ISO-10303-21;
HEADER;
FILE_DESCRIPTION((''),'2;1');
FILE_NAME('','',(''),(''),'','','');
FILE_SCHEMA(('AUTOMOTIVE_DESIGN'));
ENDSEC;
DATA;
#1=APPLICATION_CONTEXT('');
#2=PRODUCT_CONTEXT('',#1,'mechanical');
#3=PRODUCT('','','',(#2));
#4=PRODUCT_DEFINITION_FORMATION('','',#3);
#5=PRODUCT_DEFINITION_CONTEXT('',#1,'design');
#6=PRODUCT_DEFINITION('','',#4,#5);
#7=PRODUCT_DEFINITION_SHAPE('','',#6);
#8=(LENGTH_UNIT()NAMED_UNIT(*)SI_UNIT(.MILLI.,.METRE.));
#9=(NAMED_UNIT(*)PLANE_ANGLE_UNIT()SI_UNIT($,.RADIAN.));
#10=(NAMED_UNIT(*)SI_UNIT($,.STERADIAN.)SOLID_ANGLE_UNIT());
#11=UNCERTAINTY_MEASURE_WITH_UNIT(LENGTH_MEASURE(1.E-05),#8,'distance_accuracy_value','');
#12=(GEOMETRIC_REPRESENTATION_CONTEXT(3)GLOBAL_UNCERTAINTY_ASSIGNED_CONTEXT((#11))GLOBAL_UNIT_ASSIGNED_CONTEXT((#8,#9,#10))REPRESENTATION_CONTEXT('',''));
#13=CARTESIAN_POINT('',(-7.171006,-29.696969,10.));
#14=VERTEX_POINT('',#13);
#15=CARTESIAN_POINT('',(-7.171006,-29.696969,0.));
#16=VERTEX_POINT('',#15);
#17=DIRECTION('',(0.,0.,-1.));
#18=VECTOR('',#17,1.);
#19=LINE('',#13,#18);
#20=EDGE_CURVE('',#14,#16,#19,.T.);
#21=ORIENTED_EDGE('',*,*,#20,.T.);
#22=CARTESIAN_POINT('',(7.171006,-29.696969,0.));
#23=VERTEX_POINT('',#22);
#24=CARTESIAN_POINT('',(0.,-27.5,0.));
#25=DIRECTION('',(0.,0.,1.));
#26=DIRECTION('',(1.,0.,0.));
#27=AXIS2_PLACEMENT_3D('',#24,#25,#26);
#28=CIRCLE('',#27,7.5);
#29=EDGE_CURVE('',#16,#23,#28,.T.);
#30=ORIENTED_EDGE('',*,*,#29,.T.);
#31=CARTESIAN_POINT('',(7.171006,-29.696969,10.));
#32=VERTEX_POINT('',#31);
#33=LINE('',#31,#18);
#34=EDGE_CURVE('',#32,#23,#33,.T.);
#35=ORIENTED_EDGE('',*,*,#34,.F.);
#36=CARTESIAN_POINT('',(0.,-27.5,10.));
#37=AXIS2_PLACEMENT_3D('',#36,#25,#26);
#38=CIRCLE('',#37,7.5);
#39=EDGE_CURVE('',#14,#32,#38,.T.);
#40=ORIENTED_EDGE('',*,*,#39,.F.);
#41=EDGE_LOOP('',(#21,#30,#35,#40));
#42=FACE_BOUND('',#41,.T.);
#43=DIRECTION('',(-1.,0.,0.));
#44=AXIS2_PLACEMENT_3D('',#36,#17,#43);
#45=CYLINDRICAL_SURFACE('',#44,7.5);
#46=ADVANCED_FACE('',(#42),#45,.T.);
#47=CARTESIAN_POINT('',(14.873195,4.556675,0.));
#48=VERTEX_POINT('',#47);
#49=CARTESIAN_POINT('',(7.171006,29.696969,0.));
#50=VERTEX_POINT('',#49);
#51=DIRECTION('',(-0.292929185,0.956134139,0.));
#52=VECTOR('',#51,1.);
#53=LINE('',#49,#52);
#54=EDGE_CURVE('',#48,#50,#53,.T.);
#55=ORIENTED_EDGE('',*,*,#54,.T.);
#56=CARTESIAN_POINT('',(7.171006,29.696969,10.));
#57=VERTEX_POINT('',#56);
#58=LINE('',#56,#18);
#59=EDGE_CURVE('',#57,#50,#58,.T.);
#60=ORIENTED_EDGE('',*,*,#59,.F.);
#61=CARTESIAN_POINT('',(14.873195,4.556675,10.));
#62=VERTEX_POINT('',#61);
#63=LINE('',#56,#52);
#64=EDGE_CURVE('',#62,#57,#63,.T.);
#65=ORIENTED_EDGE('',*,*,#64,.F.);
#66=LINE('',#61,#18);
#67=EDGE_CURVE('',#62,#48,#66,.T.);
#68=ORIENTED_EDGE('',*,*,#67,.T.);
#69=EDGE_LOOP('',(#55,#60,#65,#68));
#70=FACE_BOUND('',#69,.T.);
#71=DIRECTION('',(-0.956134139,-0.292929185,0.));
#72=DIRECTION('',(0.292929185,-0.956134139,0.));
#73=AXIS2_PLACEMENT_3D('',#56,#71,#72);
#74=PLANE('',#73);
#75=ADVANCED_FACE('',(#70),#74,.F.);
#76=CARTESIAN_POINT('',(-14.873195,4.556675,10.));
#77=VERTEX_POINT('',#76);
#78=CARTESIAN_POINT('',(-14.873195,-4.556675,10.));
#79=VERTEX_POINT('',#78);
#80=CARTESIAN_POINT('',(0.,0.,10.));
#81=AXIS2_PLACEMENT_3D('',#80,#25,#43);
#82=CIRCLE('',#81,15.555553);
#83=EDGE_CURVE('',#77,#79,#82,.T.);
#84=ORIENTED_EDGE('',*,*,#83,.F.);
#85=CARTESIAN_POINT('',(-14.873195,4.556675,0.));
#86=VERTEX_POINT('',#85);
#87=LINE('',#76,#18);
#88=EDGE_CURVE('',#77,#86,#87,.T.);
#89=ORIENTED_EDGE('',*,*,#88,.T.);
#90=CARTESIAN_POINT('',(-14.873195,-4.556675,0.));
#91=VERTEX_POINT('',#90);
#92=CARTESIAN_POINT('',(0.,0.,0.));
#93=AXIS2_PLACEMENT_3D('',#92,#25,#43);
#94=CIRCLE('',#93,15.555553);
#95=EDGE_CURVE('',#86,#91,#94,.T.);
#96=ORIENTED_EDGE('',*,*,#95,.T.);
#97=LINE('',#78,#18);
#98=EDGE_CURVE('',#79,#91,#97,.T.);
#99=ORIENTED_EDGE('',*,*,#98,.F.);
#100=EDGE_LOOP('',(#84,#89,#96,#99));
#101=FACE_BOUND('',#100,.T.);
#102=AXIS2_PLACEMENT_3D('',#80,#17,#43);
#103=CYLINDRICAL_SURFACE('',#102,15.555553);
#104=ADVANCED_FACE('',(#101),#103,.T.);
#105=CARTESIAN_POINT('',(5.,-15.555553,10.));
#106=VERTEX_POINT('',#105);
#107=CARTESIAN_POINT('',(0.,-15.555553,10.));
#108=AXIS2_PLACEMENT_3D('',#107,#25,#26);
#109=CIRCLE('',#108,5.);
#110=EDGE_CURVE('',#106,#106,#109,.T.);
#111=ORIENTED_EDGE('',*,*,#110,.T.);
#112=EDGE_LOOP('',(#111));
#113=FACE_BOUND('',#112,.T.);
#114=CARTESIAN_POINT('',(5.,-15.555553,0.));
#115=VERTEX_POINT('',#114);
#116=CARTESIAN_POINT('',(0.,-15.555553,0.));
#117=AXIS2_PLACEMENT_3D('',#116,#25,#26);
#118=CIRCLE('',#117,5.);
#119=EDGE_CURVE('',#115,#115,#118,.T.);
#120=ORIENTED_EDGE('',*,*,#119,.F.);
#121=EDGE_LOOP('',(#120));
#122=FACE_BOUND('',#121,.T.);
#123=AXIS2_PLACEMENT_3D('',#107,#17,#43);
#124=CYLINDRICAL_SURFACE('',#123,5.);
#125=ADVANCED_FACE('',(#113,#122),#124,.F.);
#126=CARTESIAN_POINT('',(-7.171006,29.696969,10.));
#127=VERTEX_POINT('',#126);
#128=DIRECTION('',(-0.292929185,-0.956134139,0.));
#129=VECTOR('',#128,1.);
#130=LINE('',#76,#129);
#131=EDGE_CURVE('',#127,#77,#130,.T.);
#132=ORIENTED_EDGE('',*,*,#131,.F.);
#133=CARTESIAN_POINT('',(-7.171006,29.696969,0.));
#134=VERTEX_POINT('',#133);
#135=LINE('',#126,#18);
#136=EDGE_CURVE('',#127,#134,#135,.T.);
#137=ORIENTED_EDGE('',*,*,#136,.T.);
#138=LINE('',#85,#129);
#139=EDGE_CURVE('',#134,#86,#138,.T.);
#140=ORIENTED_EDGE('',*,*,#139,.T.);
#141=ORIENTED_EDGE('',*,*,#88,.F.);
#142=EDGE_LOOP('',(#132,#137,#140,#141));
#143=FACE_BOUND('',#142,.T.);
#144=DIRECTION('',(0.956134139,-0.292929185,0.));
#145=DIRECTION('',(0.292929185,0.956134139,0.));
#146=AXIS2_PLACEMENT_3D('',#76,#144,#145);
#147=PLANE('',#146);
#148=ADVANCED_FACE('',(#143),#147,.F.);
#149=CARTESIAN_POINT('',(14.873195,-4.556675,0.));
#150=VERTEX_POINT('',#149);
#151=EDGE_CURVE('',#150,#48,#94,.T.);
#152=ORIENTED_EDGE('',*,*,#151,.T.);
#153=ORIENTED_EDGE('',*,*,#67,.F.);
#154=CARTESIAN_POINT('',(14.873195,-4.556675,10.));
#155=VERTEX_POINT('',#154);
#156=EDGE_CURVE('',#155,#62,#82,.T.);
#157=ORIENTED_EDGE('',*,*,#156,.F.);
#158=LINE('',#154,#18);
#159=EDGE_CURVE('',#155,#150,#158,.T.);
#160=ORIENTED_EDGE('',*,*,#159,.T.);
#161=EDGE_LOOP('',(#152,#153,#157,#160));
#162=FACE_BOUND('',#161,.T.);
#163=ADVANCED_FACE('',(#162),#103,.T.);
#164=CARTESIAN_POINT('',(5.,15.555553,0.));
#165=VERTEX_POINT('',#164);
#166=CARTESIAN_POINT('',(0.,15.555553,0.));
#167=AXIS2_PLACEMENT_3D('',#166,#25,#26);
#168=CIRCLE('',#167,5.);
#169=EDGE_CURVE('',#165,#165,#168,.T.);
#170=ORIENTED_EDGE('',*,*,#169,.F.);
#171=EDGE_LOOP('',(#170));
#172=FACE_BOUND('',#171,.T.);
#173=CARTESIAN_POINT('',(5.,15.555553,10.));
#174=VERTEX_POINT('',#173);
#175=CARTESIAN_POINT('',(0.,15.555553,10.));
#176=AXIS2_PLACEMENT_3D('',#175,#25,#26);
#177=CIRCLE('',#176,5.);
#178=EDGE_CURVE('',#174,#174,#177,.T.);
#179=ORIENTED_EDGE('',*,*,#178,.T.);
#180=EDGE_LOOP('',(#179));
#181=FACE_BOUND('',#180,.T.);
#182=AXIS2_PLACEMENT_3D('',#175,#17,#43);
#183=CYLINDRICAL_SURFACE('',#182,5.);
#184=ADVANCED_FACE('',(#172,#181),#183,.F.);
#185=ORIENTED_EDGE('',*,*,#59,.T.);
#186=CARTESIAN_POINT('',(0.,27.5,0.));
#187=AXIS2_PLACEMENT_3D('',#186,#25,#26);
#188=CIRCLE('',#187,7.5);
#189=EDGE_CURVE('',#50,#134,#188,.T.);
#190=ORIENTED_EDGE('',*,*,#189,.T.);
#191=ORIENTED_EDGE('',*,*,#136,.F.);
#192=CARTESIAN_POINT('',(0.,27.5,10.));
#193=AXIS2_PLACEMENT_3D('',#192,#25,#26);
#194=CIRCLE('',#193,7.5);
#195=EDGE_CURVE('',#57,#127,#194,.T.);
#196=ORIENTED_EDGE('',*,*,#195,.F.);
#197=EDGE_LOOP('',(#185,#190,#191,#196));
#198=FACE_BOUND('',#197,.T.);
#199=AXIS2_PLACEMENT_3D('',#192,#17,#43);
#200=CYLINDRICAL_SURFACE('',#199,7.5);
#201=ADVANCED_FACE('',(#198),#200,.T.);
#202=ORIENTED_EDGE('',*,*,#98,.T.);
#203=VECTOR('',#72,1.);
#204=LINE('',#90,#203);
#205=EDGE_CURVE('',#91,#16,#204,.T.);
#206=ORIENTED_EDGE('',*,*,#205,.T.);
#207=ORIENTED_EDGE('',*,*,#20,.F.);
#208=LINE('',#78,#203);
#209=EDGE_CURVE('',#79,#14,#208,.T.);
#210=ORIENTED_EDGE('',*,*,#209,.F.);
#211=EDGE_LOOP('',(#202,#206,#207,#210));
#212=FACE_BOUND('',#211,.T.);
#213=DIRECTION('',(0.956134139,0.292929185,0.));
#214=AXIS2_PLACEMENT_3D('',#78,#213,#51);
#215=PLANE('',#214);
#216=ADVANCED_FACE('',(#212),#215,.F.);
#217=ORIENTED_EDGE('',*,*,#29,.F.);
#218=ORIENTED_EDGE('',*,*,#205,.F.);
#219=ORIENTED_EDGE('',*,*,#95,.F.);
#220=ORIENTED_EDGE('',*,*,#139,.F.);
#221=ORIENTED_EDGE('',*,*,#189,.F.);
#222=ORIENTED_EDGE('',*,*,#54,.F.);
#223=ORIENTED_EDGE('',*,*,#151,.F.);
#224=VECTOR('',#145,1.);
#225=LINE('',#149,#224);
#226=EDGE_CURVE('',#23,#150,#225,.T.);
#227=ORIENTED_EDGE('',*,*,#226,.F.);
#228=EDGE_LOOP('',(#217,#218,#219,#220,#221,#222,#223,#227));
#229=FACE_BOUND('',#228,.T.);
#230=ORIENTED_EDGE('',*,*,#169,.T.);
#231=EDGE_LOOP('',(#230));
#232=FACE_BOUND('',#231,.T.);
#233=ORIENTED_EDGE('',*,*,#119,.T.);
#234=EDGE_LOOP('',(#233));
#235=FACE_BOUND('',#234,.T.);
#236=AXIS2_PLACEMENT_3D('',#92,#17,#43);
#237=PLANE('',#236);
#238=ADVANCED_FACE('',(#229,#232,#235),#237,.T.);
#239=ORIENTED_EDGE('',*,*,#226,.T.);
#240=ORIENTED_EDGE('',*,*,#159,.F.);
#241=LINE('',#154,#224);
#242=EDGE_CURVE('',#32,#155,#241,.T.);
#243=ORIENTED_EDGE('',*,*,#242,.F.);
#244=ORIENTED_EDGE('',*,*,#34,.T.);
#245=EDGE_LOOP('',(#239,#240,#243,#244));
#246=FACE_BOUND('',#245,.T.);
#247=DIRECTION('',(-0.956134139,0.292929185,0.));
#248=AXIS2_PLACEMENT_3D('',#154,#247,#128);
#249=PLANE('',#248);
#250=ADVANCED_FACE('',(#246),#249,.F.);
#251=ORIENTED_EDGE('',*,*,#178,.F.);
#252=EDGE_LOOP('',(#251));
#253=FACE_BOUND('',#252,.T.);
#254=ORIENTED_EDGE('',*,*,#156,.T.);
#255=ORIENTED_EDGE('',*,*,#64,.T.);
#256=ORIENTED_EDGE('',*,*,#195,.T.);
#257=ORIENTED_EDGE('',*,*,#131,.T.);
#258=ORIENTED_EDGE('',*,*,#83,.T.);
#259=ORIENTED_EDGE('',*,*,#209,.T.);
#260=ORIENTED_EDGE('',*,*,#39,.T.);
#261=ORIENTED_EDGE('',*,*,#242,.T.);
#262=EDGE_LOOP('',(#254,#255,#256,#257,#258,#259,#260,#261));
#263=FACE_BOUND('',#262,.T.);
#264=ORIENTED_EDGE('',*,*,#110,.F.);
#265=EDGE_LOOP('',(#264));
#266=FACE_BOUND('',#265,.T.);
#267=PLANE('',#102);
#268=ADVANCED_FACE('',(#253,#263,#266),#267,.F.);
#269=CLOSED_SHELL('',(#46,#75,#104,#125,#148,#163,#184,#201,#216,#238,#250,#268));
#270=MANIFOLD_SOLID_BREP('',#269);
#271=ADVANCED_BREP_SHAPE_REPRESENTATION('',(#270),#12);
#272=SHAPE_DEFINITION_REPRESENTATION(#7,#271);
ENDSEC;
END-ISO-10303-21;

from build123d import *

# Parameters (mm, degrees)
CROQUIS2_R              = 5
SALIENTE_EXTRUIR2_DEPTH = 10


with BuildPart() as part:
    # Croquis2 → Saliente-Extruir2 (new body)
    with BuildSketch(Plane.XY):
        with BuildLine():
            Line((-14.873194883, 4.556675338), (-7.171006046, 29.696968886))
            ThreePointArc((-7.171006046, 29.696968886), (0, 35), (7.171006046, 29.696968886))
            Line((7.171006046, 29.696968886), (14.873194883, 4.556675338))
            ThreePointArc((14.873194883, 4.556675338), (15.555552583, 0), (14.873194883, -4.556675338))
            Line((14.873194883, -4.556675338), (7.171006046, -29.696968886))
            ThreePointArc((7.171006046, -29.696968886), (0, -35), (-7.171006046, -29.696968886))
            Line((-7.171006046, -29.696968886), (-14.873194883, -4.556675338))
            ThreePointArc((-14.873194883, -4.556675338), (-15.555552583, 0), (-14.873194883, 4.556675338))
        make_face()
        with Locations((0, 15.555552583)):
            Circle(CROQUIS2_R, mode=Mode.SUBTRACT)
        with Locations((0, -15.555552583)):
            Circle(CROQUIS2_R, mode=Mode.SUBTRACT)
    extrude(amount=SALIENTE_EXTRUIR2_DEPTH)


solid = part.part
